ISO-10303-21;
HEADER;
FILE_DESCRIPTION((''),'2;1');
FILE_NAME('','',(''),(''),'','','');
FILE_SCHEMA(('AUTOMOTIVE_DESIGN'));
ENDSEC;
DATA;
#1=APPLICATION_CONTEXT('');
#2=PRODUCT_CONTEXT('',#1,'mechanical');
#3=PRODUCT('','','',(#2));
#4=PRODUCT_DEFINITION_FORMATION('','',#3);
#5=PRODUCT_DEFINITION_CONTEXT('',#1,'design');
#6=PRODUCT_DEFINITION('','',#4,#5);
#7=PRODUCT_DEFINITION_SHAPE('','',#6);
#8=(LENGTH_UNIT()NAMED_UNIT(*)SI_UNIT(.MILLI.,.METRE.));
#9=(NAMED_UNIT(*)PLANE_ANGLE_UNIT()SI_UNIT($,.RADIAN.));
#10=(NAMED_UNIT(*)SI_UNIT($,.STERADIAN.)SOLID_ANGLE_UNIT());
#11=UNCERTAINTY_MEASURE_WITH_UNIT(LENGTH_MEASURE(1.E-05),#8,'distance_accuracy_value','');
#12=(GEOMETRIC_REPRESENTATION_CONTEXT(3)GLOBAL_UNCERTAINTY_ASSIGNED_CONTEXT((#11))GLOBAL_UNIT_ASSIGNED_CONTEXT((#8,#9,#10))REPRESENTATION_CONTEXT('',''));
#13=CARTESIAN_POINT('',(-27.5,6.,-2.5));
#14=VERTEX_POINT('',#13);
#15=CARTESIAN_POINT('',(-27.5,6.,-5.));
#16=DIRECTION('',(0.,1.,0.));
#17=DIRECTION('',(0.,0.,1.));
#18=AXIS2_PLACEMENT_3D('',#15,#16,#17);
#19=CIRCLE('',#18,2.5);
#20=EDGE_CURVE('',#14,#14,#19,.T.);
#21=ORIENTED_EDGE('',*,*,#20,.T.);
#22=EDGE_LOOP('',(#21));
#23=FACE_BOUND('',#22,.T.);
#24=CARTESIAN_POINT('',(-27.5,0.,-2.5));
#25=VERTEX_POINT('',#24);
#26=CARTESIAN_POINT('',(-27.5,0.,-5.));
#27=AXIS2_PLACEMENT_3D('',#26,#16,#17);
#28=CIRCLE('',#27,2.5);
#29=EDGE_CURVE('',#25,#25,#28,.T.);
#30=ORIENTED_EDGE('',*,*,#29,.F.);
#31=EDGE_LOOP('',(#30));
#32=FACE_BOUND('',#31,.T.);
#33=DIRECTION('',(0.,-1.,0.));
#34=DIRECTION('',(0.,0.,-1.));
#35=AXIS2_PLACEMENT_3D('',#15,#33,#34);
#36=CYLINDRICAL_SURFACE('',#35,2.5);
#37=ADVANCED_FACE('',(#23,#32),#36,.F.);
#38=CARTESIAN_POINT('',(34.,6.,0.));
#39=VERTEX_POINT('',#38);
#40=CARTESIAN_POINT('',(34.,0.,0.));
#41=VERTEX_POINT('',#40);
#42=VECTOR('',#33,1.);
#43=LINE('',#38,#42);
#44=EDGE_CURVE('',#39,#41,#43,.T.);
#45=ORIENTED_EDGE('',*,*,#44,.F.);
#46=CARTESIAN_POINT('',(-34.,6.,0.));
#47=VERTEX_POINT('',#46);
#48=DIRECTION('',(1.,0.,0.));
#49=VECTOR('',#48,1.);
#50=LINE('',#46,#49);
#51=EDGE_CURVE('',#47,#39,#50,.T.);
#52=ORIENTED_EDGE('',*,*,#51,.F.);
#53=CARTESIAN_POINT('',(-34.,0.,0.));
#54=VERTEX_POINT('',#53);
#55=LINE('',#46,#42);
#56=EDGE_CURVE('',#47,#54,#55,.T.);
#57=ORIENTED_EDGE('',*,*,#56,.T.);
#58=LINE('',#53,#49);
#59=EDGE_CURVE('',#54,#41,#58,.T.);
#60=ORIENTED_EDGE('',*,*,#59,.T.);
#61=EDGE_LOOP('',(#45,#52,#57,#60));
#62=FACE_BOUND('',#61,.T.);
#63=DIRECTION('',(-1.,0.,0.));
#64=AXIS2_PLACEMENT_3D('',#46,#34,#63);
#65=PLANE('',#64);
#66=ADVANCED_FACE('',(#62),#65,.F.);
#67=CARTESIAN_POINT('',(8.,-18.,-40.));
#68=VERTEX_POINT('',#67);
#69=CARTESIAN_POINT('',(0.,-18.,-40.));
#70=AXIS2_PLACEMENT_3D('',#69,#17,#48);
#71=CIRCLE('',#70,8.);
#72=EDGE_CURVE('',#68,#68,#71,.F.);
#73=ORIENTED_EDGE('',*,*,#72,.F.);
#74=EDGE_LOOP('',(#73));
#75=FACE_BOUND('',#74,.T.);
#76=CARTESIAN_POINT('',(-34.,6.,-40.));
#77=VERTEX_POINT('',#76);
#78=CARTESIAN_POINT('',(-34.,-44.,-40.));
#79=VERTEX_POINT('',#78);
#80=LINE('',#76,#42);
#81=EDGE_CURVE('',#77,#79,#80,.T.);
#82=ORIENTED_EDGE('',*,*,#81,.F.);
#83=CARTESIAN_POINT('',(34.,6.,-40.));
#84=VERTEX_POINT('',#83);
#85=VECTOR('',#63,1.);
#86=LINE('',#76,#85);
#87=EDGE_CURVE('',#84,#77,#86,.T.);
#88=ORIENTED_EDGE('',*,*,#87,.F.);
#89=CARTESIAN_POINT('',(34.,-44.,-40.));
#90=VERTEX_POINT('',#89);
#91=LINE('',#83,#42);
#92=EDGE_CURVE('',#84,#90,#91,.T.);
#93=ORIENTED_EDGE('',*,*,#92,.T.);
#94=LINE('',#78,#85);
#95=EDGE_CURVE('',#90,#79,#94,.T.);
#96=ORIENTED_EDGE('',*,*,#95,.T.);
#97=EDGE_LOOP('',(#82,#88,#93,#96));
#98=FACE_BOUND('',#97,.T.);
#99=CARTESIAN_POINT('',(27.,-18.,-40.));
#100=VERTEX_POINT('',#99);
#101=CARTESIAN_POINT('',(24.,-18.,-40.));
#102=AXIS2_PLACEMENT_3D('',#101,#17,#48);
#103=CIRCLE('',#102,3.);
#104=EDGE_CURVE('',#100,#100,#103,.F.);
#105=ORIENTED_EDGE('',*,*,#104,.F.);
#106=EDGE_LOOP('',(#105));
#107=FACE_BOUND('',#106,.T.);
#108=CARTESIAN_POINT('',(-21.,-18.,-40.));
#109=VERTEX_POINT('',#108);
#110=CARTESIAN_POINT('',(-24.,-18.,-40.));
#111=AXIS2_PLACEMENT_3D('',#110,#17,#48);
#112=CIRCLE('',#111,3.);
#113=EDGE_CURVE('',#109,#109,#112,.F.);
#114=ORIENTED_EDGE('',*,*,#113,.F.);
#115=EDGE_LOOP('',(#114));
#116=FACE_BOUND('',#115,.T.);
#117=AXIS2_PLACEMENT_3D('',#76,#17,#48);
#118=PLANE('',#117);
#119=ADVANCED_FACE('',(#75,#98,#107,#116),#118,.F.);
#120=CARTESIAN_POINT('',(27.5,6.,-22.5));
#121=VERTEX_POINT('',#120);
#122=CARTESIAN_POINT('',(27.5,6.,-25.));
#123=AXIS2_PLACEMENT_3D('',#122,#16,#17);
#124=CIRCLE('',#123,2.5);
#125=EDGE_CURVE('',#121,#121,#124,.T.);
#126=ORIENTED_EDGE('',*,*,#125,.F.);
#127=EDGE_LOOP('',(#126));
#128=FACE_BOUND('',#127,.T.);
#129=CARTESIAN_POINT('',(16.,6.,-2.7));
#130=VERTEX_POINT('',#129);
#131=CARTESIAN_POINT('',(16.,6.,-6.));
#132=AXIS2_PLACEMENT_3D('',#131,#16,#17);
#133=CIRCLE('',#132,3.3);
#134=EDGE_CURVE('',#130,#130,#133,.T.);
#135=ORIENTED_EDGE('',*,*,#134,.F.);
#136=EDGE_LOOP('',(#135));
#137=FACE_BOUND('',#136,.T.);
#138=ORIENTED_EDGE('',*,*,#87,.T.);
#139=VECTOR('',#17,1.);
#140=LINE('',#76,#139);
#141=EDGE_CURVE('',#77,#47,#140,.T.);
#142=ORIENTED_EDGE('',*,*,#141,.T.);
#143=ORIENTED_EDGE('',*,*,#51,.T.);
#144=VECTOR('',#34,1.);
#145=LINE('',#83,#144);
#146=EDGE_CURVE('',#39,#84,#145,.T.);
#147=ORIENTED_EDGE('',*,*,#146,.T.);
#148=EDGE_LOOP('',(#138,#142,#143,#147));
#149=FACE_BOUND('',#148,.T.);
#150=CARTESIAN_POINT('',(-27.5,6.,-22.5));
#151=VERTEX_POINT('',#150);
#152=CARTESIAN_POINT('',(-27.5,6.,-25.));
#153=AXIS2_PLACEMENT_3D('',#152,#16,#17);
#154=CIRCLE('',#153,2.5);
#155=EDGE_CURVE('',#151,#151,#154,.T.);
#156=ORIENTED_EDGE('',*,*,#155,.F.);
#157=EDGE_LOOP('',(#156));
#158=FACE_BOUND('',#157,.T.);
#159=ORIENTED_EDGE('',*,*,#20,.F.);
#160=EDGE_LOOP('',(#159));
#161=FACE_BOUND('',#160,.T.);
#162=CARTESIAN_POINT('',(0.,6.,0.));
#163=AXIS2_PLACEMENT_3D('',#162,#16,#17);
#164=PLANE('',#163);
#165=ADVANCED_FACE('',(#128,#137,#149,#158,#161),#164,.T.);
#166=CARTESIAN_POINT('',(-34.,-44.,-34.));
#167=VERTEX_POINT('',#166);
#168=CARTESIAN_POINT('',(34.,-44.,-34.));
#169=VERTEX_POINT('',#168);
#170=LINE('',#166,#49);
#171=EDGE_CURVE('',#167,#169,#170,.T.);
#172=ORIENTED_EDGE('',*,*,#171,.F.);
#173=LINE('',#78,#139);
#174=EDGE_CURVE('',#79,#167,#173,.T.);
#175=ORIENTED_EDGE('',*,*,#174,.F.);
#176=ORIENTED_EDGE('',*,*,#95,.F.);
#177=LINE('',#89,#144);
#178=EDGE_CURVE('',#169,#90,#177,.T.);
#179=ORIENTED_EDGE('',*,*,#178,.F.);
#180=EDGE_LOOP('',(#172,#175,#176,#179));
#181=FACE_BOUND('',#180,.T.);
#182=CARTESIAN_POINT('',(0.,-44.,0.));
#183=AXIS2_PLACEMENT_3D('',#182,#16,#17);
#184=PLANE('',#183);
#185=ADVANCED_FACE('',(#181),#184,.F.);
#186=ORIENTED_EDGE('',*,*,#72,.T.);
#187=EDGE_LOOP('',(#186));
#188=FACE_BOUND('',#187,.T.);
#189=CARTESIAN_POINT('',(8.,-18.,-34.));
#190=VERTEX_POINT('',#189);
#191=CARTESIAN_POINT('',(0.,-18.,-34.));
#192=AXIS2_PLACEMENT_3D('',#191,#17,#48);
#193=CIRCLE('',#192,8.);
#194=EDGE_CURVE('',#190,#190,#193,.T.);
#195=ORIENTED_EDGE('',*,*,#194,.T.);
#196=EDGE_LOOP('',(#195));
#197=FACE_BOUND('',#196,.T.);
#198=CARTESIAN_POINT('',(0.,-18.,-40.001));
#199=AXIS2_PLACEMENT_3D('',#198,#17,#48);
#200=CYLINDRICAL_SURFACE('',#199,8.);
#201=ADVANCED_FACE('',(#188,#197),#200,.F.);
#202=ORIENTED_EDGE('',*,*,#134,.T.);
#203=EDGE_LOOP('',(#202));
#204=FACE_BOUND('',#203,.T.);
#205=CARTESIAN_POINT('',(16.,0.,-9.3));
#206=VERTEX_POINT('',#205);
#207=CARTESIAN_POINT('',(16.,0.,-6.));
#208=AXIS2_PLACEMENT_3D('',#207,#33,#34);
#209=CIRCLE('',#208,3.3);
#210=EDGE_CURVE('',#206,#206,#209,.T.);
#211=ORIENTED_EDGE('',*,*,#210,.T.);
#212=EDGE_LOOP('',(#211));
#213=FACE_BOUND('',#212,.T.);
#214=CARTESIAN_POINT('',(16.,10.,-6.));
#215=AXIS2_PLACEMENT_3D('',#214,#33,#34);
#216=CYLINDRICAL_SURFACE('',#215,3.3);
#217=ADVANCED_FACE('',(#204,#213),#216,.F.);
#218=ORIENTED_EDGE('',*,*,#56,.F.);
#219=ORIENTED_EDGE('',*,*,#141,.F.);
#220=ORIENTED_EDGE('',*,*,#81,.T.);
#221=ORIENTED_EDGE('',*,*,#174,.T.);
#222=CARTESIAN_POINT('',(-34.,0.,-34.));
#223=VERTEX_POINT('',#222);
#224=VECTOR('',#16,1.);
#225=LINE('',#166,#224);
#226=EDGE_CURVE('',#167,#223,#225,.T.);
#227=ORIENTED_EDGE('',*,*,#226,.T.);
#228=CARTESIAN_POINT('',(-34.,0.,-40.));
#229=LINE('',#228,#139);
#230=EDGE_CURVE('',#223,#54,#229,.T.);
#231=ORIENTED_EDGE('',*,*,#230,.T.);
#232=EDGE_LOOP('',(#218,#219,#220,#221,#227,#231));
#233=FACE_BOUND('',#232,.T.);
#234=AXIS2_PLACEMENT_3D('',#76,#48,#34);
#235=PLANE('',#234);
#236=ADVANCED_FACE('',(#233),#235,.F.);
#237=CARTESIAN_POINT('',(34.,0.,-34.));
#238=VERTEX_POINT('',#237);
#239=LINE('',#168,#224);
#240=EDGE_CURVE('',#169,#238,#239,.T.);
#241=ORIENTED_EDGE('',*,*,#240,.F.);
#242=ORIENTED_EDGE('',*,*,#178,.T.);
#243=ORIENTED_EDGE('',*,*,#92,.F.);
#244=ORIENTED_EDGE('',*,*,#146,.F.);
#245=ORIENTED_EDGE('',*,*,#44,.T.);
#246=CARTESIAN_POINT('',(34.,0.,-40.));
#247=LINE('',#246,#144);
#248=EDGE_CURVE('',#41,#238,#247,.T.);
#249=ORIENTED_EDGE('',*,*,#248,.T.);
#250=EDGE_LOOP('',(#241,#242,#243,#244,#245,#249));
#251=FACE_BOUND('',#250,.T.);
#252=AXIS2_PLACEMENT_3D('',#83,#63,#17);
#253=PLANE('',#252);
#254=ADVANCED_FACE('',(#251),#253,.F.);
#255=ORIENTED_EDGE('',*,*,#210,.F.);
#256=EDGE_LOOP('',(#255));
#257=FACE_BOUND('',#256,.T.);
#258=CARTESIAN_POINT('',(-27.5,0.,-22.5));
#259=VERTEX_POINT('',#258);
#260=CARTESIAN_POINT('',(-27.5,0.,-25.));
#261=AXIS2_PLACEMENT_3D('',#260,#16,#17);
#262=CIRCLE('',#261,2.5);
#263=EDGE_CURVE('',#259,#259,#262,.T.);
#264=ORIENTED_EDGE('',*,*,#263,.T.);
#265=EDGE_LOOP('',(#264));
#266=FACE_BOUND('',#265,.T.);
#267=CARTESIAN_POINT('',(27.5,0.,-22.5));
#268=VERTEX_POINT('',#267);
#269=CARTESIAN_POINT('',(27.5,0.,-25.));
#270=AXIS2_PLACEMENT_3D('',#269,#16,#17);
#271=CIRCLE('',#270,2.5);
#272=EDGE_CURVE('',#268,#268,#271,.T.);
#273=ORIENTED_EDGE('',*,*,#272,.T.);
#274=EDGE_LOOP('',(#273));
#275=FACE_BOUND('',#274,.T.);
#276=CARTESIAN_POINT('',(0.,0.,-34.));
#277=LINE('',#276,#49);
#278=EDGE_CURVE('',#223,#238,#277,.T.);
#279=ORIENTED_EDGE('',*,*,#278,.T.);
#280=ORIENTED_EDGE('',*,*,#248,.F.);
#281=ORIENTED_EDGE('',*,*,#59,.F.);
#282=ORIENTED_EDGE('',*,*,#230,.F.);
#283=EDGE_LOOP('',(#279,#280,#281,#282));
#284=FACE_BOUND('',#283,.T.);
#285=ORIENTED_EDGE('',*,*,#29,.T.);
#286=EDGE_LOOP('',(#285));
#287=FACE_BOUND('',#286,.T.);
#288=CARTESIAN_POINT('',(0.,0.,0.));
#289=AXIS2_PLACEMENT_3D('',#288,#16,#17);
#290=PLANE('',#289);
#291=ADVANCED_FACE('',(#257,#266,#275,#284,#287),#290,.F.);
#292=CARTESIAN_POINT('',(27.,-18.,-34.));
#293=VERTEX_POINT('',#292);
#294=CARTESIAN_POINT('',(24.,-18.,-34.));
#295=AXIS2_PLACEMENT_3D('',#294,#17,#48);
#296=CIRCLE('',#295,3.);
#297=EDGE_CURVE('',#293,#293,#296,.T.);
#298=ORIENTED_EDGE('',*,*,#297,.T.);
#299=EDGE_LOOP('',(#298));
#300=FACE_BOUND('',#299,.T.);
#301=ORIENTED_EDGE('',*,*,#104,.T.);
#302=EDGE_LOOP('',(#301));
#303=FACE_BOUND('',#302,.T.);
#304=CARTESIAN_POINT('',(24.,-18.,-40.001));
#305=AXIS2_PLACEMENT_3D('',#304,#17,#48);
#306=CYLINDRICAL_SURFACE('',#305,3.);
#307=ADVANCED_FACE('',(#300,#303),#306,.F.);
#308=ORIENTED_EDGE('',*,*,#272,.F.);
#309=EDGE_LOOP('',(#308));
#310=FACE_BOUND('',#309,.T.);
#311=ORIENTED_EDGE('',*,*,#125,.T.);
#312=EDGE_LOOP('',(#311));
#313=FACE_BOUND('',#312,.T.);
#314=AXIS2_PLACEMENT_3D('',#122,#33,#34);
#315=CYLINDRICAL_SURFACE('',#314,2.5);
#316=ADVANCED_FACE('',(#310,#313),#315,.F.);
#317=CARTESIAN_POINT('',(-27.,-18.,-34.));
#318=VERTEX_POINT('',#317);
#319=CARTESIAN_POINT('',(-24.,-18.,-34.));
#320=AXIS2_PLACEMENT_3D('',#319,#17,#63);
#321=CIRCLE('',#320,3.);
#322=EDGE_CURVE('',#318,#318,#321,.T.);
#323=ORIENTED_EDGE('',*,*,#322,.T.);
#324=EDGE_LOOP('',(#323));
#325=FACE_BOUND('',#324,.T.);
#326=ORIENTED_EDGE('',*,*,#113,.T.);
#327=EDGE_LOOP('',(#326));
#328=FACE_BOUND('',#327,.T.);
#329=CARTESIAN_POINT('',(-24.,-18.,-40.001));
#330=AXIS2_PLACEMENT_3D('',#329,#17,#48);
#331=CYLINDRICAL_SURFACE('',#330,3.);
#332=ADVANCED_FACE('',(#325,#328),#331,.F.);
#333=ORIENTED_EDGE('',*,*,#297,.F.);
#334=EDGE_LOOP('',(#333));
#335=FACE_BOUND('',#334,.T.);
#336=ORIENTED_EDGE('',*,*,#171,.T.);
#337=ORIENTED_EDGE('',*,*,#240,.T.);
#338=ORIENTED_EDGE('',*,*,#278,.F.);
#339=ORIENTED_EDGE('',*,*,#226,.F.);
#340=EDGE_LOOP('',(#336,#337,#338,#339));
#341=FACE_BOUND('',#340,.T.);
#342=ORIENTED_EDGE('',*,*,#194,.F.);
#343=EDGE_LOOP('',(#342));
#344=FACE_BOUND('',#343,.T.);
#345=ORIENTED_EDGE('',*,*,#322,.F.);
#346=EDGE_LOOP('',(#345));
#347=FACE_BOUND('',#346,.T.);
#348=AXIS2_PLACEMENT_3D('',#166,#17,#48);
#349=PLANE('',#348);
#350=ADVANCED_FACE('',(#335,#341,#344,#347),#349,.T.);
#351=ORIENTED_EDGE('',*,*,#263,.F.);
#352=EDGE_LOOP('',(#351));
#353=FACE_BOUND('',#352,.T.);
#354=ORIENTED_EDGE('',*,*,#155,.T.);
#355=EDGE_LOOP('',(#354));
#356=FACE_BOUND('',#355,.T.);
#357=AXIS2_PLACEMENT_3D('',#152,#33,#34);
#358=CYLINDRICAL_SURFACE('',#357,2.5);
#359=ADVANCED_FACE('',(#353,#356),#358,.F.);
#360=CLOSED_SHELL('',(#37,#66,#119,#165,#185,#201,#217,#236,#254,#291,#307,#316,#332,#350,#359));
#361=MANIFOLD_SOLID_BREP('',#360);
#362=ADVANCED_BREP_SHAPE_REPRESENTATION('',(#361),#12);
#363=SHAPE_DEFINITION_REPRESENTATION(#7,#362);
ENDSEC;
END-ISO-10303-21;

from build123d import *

# Parameters (mm, degrees)
SKETCH_1_W          = 68
SKETCH_1_H          = 40
SKETCH_1_R          = 2.5
EXTRUDE_1_DEPTH     = 6
SKETCH_3_W          = 68
SKETCH_3_H          = 6
EXTRUDE_2_DEPTH     = 50
CUT_EXTRUDE_1_REACH = 8
SKETCH_4_R          = 8
SKETCH_4_R_2        = 3
SKETCH_5_R          = 3.3
CUT_EXTRUDE_2_DEPTH = 10


with BuildPart() as part:
    # 草图1 → 凸台-拉伸1 (new body)
    with BuildSketch(Plane(origin=(0, 0, 0), x_dir=(1, 0, 0), z_dir=(0, 1, 0))):
        with Locations((0, 20)):
            Rectangle(SKETCH_1_W, SKETCH_1_H)
        with Locations((-27.5, 25)):
            Circle(SKETCH_1_R, mode=Mode.SUBTRACT)
        with Locations((27.5, 25)):
            Circle(SKETCH_1_R, mode=Mode.SUBTRACT)
        with Locations((-27.5, 5)):
            Circle(SKETCH_1_R, mode=Mode.SUBTRACT)
    extrude(amount=EXTRUDE_1_DEPTH)

    # 草图3 → 凸台-拉伸2 (add)
    with BuildSketch(Plane(origin=(0, 6, 0), x_dir=(1, 0, 0), z_dir=(0, 1, 0))):
        with Locations((0, 37)):
            Rectangle(SKETCH_3_W, SKETCH_3_H)
    extrude(amount=-EXTRUDE_2_DEPTH)

    # 草图4 → 切除-拉伸1 (cut, up to next)
    with BuildSketch(Plane.XY.offset(-34), mode=Mode.PRIVATE) as cut_extrude_1_sk1:
        with Locations((0, -18)):
            Circle(SKETCH_4_R)
    cut_extrude_1_tool1 = extrude(cut_extrude_1_sk1.sketch, amount=-CUT_EXTRUDE_1_REACH, mode=Mode.PRIVATE) & part.part
    add(cut_extrude_1_tool1.solids().sort_by_distance((0, -18, -34))[0], mode=Mode.SUBTRACT)
    # 草图4 → 切除-拉伸1 (cut, up to next)
    with BuildSketch(Plane.XY.offset(-34), mode=Mode.PRIVATE) as cut_extrude_1_sk2:
        with Locations((24, -18)):
            Circle(SKETCH_4_R_2)
    cut_extrude_1_tool2 = extrude(cut_extrude_1_sk2.sketch, amount=-CUT_EXTRUDE_1_REACH, mode=Mode.PRIVATE) & part.part
    add(cut_extrude_1_tool2.solids().sort_by_distance((24, -18, -34))[0], mode=Mode.SUBTRACT)
    # 草图4 → 切除-拉伸1 (cut, up to next)
    with BuildSketch(Plane.XY.offset(-34), mode=Mode.PRIVATE) as cut_extrude_1_sk3:
        with Locations((-24, -18)):
            Circle(SKETCH_4_R_2)
    cut_extrude_1_tool3 = extrude(cut_extrude_1_sk3.sketch, amount=-CUT_EXTRUDE_1_REACH, mode=Mode.PRIVATE) & part.part
    add(cut_extrude_1_tool3.solids().sort_by_distance((-24, -18, -34))[0], mode=Mode.SUBTRACT)

    # 草图5 → 切除-拉伸2 (cut)
    with BuildSketch(Plane.XZ):
        with Locations((15.999999998, -6)):
            Circle(SKETCH_5_R)
    extrude(amount=-CUT_EXTRUDE_2_DEPTH, mode=Mode.SUBTRACT)


solid = part.part
